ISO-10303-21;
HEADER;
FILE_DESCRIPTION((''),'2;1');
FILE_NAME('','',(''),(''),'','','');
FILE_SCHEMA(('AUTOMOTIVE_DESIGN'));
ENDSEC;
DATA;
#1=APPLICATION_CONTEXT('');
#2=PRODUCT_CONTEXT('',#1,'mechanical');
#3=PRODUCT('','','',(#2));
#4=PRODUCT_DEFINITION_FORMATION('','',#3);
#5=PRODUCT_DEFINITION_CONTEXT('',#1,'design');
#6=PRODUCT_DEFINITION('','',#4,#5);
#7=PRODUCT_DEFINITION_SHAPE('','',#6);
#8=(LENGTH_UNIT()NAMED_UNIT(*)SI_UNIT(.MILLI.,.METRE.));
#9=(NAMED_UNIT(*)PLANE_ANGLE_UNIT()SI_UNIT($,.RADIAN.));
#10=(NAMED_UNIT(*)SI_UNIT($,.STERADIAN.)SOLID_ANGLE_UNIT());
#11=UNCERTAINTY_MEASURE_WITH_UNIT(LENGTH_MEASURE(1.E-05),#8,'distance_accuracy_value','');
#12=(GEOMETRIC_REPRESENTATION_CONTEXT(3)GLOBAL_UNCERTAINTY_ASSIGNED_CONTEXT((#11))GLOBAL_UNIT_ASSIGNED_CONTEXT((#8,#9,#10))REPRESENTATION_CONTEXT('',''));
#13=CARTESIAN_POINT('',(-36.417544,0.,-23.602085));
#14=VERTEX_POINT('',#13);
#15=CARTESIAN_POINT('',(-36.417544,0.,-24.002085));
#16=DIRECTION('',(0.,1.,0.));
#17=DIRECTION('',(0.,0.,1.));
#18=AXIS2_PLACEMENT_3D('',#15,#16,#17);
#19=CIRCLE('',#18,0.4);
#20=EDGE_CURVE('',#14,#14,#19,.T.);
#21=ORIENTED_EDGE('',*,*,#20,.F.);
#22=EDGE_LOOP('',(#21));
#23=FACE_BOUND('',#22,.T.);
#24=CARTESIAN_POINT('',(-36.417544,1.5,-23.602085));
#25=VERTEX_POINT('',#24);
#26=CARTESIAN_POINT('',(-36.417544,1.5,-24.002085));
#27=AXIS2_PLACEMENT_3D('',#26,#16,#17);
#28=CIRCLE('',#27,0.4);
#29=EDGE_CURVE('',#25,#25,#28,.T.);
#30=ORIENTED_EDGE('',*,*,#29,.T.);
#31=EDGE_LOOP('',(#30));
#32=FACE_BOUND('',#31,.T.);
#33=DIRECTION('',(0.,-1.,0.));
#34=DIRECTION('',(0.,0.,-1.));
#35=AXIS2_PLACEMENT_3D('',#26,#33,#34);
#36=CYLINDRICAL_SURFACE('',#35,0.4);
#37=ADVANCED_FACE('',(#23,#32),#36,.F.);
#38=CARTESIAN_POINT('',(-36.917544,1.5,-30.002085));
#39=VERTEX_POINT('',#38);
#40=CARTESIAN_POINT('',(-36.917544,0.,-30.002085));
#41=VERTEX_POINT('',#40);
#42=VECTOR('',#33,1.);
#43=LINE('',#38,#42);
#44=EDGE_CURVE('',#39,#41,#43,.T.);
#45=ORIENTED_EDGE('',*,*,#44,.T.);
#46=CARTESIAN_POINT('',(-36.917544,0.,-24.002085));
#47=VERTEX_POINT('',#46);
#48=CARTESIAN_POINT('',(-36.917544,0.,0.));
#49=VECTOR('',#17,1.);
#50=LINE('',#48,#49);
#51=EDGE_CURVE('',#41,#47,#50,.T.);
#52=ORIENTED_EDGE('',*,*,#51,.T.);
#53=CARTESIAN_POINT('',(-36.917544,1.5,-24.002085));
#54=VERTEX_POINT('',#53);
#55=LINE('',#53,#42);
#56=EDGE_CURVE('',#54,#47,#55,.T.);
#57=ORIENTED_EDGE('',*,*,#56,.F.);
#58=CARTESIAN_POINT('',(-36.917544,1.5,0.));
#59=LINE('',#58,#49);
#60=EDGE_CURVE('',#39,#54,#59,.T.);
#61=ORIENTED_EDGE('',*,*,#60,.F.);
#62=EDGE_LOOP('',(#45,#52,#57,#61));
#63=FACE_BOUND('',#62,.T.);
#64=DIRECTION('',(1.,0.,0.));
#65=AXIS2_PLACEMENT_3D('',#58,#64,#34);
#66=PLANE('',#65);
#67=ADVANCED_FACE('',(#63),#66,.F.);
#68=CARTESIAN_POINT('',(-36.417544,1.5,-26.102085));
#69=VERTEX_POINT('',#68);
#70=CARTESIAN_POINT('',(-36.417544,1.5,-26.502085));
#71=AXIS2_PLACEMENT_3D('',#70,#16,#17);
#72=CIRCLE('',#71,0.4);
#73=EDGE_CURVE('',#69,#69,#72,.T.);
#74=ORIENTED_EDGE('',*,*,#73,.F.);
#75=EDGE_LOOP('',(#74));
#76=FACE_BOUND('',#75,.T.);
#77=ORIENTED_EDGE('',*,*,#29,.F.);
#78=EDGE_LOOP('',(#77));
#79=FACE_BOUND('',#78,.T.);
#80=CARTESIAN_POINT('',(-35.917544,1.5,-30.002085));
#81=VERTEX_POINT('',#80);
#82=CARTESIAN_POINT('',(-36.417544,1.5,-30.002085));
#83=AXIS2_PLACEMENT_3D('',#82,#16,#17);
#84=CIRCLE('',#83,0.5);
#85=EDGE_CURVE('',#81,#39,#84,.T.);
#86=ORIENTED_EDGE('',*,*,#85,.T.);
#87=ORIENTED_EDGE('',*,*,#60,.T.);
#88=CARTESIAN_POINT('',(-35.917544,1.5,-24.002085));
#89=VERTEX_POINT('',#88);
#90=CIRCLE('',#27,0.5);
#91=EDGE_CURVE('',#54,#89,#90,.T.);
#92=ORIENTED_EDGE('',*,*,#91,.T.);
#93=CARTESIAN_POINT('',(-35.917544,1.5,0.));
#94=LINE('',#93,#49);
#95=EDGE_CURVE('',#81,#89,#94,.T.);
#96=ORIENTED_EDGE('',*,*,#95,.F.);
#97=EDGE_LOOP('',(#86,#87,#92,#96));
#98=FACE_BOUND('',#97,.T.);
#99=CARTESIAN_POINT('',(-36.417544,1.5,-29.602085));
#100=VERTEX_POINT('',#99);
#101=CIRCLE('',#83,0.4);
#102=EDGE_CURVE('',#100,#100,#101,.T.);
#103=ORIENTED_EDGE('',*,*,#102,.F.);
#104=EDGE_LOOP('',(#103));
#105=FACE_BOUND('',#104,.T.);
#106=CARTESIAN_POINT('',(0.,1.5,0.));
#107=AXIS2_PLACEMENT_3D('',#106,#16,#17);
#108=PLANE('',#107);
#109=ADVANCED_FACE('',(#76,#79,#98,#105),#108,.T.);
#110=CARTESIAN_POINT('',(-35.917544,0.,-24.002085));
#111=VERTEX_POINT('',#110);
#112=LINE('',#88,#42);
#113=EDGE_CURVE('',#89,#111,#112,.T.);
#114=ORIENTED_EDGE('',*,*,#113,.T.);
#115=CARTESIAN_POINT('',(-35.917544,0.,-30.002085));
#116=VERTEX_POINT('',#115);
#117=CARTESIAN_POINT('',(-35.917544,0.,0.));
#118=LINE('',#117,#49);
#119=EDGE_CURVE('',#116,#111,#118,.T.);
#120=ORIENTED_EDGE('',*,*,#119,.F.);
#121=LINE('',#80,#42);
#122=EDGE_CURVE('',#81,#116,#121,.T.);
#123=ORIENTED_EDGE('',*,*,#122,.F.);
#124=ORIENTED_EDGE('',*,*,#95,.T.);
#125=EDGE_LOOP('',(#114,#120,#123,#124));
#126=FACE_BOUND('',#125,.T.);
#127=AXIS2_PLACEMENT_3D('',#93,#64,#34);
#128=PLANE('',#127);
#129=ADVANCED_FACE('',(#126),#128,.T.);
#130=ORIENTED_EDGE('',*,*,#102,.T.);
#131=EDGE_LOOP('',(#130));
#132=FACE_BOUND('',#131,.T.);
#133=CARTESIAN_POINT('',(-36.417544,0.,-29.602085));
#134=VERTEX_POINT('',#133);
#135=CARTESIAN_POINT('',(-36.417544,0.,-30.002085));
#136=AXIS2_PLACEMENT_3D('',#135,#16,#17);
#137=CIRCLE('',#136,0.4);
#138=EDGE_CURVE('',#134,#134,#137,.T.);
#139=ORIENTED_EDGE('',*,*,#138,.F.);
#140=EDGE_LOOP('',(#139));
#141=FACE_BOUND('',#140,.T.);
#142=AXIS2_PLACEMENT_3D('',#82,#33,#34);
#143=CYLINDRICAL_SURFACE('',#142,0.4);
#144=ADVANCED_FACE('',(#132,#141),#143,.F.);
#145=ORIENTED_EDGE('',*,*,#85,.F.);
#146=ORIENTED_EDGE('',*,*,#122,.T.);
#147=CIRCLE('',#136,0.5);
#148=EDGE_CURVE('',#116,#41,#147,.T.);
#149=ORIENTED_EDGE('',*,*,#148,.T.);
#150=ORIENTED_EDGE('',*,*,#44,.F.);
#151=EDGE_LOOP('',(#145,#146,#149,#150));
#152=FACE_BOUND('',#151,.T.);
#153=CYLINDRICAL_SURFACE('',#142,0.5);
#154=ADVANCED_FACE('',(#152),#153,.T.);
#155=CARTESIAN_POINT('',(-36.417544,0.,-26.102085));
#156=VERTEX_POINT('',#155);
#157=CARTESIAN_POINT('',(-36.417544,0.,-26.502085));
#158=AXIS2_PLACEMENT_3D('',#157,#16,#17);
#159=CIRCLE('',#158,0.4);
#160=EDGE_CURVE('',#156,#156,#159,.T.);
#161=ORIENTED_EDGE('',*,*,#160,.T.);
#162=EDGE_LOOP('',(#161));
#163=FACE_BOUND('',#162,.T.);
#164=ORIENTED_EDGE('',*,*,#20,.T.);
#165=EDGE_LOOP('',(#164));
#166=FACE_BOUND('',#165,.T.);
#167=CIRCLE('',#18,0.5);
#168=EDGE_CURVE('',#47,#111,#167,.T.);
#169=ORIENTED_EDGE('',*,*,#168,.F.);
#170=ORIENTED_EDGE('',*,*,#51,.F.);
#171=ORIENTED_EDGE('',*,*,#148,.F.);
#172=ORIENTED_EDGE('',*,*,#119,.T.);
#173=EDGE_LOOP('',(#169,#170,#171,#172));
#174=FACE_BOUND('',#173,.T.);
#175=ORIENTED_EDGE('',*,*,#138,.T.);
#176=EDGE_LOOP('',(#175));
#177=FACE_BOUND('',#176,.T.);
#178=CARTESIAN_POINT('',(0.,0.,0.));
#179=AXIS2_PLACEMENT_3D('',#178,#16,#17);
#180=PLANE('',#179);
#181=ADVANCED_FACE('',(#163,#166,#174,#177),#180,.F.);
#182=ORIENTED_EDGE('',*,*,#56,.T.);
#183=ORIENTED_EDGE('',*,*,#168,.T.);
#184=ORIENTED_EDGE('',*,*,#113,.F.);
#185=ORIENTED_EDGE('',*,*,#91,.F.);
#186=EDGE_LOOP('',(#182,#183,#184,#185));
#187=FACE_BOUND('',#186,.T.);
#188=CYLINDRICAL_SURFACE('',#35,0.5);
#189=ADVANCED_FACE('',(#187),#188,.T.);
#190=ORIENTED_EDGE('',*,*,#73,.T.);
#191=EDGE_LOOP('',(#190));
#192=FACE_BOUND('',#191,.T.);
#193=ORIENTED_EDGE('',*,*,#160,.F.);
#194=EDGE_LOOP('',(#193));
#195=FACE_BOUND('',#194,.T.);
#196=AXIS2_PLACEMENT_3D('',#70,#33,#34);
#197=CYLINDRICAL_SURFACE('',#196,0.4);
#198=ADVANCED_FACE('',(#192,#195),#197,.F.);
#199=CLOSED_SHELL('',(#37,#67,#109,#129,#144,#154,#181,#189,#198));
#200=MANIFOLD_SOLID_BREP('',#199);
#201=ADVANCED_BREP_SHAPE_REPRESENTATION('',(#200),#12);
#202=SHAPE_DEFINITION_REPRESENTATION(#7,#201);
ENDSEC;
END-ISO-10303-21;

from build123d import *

# Parameters (mm, degrees)
SKETCH1_R           = 0.4
BOSS_EXTRUDE1_DEPTH = 1.5


with BuildPart() as part:
    # Sketch1 → Boss-Extrude1 (new body)
    with BuildSketch(Plane(origin=(0, 0, 0), x_dir=(1, 0, 0), z_dir=(0, 1, 0))):
        with BuildLine():
            Line((-35.917543993, 24.002085206), (-35.917543993, 30.002085206))
            ThreePointArc((-35.917543993, 30.002085206), (-36.417543993, 30.502085206), (-36.917543993, 30.002085206))
            Line((-36.917543993, 30.002085206), (-36.917543993, 24.002085206))
            ThreePointArc((-36.917543993, 24.002085206), (-36.417543993, 23.502085206), (-35.917543993, 24.002085206))
        make_face()
        with BuildLine():
            ThreePointArc((-36.017543993, 26.502085206), (-36.134701281, 26.219242493), (-36.417543993, 26.102085206))
            ThreePointArc((-36.417543993, 26.102085206), (-36.700386706, 26.784927918), (-36.017543993, 26.502085206))
        make_face(mode=Mode.SUBTRACT)
        with BuildLine():
            ThreePointArc((-36.017543993, 24.002085206), (-36.700386706, 23.719242493), (-36.417543993, 24.402085206))
            ThreePointArc((-36.417543993, 24.402085206), (-36.134701281, 24.284927918), (-36.017543993, 24.002085206))
        make_face(mode=Mode.SUBTRACT)
        with Locations((-36.417543993, 30.002085206)):
            Circle(SKETCH1_R, mode=Mode.SUBTRACT)
    extrude(amount=BOSS_EXTRUDE1_DEPTH)


solid = part.part
